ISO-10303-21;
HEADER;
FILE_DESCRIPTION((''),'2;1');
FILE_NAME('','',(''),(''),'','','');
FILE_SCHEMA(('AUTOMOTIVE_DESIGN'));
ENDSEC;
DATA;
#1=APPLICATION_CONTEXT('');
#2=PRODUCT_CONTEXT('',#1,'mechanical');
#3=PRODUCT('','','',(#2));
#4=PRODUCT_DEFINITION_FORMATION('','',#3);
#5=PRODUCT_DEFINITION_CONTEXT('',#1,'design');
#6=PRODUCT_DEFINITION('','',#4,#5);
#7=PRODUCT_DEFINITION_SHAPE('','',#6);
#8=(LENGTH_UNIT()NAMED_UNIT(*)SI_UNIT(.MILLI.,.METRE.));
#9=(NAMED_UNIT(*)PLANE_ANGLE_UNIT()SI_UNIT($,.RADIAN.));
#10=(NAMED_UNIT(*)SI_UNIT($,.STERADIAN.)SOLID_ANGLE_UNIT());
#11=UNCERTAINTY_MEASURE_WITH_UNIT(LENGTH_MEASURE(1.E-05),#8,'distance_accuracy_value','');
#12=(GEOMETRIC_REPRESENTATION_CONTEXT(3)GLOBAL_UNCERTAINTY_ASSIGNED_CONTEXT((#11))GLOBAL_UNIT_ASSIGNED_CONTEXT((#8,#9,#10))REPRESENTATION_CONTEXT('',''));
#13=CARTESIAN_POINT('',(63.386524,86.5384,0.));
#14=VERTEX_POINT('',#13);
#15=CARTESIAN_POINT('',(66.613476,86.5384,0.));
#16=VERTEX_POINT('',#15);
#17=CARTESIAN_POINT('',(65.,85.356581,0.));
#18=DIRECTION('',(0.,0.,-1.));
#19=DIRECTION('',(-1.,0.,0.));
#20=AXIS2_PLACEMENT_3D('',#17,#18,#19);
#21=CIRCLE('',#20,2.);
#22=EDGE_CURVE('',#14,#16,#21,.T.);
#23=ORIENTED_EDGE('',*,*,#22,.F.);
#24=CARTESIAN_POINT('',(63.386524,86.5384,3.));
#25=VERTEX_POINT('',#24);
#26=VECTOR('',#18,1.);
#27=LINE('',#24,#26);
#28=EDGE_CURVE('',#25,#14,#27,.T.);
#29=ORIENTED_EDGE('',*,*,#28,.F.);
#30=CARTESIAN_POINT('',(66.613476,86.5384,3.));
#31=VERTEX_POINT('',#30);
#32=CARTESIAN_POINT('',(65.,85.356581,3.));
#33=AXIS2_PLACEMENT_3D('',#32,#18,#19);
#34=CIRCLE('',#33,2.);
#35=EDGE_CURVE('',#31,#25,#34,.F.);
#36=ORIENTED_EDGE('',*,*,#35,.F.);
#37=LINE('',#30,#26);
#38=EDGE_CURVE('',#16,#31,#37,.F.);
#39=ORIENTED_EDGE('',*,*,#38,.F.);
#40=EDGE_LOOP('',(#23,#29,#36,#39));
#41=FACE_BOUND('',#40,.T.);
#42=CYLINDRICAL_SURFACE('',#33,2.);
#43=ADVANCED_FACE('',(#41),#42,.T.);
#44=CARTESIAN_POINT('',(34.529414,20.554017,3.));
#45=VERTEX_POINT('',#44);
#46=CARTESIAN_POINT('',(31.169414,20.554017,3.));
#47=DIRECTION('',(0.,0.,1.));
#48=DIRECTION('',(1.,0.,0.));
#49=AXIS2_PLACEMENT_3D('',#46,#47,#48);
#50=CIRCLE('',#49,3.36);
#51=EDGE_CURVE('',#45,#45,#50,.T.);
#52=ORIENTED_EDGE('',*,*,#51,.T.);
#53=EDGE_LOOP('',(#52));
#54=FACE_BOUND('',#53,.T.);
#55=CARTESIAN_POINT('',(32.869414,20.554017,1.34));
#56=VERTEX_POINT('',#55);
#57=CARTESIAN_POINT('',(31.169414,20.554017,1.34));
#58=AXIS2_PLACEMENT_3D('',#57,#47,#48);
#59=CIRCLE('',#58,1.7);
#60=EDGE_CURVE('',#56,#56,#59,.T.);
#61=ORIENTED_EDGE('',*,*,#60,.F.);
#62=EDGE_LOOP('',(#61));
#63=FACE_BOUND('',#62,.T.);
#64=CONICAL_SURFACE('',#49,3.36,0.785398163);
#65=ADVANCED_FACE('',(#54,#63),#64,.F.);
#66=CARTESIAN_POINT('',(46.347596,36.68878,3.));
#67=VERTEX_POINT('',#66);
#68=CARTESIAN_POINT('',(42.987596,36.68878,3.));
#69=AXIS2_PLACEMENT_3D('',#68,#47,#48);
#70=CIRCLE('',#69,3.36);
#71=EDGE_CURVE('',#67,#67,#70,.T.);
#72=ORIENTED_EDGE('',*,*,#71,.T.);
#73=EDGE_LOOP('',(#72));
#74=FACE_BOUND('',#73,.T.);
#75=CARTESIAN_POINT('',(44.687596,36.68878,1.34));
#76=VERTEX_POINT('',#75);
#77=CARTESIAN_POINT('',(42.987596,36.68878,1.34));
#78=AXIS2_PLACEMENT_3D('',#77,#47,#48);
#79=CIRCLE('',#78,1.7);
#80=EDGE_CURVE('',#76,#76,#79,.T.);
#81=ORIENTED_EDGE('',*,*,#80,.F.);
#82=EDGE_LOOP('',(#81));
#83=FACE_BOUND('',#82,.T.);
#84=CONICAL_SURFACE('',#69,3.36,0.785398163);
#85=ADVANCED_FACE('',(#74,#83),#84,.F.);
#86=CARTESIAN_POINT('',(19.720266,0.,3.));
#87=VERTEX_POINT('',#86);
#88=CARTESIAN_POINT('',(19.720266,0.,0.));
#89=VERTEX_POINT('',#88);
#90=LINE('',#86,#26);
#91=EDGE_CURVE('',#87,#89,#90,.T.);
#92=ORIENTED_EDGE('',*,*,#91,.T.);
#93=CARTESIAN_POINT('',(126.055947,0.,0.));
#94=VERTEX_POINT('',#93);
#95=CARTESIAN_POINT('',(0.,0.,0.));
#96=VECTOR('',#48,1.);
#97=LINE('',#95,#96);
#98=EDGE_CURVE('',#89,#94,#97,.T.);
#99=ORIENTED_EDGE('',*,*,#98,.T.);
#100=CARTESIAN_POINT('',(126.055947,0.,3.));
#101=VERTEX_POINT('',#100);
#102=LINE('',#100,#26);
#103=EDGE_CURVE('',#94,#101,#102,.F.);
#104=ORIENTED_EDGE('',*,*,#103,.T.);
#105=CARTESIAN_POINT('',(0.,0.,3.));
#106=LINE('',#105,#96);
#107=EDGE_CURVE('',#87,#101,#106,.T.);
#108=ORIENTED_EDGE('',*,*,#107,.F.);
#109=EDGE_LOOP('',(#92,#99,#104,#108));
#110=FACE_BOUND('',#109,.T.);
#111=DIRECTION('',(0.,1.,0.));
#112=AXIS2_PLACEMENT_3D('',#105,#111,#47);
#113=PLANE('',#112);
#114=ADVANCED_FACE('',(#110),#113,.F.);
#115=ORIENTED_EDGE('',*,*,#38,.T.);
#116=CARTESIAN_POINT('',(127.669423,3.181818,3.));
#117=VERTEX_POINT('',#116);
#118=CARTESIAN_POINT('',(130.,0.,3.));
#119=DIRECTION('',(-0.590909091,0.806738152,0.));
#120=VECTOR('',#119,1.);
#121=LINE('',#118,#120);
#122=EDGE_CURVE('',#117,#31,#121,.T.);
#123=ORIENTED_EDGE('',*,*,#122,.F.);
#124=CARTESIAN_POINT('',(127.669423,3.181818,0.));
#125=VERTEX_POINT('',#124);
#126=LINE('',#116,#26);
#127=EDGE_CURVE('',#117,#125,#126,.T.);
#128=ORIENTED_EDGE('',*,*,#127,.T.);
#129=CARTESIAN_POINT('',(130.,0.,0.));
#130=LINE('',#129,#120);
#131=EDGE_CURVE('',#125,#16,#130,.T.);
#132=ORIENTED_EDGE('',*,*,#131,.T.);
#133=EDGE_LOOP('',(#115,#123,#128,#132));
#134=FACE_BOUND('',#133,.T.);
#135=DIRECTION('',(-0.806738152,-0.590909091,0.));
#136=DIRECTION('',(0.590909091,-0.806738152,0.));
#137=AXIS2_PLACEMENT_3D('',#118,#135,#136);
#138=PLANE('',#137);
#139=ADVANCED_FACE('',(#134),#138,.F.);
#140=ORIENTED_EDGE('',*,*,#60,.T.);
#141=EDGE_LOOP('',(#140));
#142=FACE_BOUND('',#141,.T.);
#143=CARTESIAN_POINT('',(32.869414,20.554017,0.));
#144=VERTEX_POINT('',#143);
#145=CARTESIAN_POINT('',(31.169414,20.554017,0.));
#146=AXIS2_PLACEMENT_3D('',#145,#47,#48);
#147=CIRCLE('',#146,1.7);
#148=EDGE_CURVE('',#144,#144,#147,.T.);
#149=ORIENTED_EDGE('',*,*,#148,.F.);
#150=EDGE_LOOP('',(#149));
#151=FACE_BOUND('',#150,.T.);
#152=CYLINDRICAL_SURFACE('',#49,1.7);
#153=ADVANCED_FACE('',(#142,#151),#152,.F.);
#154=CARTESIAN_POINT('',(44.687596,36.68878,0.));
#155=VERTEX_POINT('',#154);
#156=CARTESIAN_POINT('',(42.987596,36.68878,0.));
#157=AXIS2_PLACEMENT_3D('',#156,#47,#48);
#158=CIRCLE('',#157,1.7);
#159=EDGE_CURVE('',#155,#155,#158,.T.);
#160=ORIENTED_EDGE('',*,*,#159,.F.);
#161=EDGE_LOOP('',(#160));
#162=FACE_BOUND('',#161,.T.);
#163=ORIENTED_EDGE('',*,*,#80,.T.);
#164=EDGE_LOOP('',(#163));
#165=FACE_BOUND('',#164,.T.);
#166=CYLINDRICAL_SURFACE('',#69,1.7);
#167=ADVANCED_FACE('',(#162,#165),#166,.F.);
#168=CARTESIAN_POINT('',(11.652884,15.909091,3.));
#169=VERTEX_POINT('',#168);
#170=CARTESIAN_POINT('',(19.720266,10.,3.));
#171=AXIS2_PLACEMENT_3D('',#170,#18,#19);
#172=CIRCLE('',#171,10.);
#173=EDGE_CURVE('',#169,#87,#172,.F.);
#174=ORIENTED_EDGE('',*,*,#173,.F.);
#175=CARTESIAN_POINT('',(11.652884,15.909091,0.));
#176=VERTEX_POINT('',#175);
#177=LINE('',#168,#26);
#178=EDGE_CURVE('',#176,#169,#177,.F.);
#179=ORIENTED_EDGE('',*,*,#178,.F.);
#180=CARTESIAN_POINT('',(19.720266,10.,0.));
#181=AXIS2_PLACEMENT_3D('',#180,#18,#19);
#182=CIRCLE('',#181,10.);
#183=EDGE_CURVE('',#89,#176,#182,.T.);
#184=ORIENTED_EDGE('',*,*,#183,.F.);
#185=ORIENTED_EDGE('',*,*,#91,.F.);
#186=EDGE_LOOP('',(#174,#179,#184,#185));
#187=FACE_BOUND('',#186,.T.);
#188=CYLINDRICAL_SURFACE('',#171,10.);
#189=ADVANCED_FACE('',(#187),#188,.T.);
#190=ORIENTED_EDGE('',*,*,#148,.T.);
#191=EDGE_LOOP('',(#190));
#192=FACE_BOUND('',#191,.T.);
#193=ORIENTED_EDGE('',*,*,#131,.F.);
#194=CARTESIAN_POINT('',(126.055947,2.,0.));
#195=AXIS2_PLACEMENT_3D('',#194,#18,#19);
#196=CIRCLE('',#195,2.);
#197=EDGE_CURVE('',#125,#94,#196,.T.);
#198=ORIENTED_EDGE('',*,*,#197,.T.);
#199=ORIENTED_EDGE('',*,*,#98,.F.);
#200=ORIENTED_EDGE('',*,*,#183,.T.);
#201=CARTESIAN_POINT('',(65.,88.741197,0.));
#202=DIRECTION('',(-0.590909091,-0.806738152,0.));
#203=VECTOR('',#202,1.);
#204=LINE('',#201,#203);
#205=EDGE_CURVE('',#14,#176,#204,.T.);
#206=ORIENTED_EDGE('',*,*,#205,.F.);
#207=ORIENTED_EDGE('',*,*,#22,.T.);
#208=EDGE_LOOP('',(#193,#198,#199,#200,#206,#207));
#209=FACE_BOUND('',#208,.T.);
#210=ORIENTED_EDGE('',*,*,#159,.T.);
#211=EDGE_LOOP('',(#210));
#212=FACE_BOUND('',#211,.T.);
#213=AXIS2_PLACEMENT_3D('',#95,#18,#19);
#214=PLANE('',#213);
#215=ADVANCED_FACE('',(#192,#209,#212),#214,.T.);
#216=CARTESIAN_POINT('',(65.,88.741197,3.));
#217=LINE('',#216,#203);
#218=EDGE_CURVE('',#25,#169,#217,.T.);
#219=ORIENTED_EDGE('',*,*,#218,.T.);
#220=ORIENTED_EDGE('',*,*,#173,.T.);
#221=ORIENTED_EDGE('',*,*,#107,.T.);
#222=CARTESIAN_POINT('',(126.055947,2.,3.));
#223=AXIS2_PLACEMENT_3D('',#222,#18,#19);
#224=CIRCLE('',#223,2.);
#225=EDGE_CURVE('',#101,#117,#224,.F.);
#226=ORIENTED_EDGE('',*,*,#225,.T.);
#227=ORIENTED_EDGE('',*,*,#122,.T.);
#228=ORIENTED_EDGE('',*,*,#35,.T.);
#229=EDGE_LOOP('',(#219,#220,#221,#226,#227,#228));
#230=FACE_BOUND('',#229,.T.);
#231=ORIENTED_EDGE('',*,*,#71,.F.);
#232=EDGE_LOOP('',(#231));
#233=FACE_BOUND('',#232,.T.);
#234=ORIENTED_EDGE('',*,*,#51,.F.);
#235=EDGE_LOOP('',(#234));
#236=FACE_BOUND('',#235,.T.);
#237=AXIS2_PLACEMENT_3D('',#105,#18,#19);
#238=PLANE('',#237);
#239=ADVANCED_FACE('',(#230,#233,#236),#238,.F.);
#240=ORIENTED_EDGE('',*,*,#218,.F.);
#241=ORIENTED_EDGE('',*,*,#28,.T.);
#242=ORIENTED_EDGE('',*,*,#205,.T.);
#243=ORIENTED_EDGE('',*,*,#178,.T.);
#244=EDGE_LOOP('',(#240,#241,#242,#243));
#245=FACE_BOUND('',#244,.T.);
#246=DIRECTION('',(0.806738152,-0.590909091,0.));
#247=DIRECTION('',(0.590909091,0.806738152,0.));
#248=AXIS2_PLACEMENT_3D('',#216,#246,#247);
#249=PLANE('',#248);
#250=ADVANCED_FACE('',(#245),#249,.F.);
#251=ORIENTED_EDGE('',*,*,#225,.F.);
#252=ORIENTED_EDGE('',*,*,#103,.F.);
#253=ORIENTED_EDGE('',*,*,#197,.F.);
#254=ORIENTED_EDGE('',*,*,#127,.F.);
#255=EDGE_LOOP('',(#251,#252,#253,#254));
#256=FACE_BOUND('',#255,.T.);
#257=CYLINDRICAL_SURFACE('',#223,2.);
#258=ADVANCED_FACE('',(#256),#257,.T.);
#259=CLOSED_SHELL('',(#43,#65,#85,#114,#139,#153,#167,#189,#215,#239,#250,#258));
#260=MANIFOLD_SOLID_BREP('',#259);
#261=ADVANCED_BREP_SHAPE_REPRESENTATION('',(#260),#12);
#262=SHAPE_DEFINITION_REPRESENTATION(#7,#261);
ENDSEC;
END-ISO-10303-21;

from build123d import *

# Parameters (mm, degrees)
EXTRUDE_1_DEPTH             = 3
SKETCH_2_R                  = 1.5
CUT_EXTRUDE_1_DEPTH         = 158.429349233
FILLET_1_R                  = 10
FILLET_2_R                  = 2
HOLE_WIZARD_M3_1_AT_2_COUNT = 2
HOLE_WIZARD_M3_1_AT_2_PITCH = 20


with BuildPart() as part:
    # 草图1 → 凸台-拉伸1 (new body)
    with BuildSketch(Plane.XY):
        Polygon((0, 0), (130, 0), (65, 88.741196746), align=None)
    extrude(amount=EXTRUDE_1_DEPTH)

    # 草图2 → 切除-拉伸1 (cut, through all)
    with BuildSketch(Plane.XY.offset(3)):
        with Locations((42.987595979, 36.688780191)):
            Circle(SKETCH_2_R)
        with Locations(Location((31.169414161, 20.554017147, 0), (0, 0, 180))):
            Circle(SKETCH_2_R)
    extrude(amount=-CUT_EXTRUDE_1_DEPTH, mode=Mode.SUBTRACT)

    # 圆角1
    fillet_1_edges = [part.edges().sort_by_distance(p)[0] for p in [
        (0, 0, 1.5),
    ]]
    fillet(fillet_1_edges, radius=FILLET_1_R)

    # 圆角2
    fillet_2_edges = [part.edges().sort_by_distance(p)[0] for p in [
        (65, 88.741196746, 1.5),
        (130, 0, 1.5),
    ]]
    fillet(fillet_2_edges, radius=FILLET_2_R)

    # 草图6 → M3 六角凹锥坑螺钉的锥形沉头孔1 (revolve, cut)
    with BuildSketch(Plane(origin=(42.987595979, 36.688780191, 3), x_dir=(0, -1, 0), z_dir=(1, 0, 0))):
        Polygon((0, 0), (0, 3), (1.7, 3), (1.7, 1.66), (3.36, 0), align=None)
    hole_wizard_m3_1 = revolve(axis=Axis((42.987595979, 36.688780191, 9.35), (0, 0, -1)), mode=Mode.SUBTRACT)

    # M3 六角凹锥坑螺钉的锥形沉头孔1 at 2: M3 六角凹锥坑螺钉的锥形沉头孔1 ×2
    with Locations(*[Vector(-0.5909090909090912, -0.8067381522408567, 0) * (i * HOLE_WIZARD_M3_1_AT_2_PITCH) for i in range(1, HOLE_WIZARD_M3_1_AT_2_COUNT)]):
        add(hole_wizard_m3_1, mode=Mode.SUBTRACT)


solid = part.part
